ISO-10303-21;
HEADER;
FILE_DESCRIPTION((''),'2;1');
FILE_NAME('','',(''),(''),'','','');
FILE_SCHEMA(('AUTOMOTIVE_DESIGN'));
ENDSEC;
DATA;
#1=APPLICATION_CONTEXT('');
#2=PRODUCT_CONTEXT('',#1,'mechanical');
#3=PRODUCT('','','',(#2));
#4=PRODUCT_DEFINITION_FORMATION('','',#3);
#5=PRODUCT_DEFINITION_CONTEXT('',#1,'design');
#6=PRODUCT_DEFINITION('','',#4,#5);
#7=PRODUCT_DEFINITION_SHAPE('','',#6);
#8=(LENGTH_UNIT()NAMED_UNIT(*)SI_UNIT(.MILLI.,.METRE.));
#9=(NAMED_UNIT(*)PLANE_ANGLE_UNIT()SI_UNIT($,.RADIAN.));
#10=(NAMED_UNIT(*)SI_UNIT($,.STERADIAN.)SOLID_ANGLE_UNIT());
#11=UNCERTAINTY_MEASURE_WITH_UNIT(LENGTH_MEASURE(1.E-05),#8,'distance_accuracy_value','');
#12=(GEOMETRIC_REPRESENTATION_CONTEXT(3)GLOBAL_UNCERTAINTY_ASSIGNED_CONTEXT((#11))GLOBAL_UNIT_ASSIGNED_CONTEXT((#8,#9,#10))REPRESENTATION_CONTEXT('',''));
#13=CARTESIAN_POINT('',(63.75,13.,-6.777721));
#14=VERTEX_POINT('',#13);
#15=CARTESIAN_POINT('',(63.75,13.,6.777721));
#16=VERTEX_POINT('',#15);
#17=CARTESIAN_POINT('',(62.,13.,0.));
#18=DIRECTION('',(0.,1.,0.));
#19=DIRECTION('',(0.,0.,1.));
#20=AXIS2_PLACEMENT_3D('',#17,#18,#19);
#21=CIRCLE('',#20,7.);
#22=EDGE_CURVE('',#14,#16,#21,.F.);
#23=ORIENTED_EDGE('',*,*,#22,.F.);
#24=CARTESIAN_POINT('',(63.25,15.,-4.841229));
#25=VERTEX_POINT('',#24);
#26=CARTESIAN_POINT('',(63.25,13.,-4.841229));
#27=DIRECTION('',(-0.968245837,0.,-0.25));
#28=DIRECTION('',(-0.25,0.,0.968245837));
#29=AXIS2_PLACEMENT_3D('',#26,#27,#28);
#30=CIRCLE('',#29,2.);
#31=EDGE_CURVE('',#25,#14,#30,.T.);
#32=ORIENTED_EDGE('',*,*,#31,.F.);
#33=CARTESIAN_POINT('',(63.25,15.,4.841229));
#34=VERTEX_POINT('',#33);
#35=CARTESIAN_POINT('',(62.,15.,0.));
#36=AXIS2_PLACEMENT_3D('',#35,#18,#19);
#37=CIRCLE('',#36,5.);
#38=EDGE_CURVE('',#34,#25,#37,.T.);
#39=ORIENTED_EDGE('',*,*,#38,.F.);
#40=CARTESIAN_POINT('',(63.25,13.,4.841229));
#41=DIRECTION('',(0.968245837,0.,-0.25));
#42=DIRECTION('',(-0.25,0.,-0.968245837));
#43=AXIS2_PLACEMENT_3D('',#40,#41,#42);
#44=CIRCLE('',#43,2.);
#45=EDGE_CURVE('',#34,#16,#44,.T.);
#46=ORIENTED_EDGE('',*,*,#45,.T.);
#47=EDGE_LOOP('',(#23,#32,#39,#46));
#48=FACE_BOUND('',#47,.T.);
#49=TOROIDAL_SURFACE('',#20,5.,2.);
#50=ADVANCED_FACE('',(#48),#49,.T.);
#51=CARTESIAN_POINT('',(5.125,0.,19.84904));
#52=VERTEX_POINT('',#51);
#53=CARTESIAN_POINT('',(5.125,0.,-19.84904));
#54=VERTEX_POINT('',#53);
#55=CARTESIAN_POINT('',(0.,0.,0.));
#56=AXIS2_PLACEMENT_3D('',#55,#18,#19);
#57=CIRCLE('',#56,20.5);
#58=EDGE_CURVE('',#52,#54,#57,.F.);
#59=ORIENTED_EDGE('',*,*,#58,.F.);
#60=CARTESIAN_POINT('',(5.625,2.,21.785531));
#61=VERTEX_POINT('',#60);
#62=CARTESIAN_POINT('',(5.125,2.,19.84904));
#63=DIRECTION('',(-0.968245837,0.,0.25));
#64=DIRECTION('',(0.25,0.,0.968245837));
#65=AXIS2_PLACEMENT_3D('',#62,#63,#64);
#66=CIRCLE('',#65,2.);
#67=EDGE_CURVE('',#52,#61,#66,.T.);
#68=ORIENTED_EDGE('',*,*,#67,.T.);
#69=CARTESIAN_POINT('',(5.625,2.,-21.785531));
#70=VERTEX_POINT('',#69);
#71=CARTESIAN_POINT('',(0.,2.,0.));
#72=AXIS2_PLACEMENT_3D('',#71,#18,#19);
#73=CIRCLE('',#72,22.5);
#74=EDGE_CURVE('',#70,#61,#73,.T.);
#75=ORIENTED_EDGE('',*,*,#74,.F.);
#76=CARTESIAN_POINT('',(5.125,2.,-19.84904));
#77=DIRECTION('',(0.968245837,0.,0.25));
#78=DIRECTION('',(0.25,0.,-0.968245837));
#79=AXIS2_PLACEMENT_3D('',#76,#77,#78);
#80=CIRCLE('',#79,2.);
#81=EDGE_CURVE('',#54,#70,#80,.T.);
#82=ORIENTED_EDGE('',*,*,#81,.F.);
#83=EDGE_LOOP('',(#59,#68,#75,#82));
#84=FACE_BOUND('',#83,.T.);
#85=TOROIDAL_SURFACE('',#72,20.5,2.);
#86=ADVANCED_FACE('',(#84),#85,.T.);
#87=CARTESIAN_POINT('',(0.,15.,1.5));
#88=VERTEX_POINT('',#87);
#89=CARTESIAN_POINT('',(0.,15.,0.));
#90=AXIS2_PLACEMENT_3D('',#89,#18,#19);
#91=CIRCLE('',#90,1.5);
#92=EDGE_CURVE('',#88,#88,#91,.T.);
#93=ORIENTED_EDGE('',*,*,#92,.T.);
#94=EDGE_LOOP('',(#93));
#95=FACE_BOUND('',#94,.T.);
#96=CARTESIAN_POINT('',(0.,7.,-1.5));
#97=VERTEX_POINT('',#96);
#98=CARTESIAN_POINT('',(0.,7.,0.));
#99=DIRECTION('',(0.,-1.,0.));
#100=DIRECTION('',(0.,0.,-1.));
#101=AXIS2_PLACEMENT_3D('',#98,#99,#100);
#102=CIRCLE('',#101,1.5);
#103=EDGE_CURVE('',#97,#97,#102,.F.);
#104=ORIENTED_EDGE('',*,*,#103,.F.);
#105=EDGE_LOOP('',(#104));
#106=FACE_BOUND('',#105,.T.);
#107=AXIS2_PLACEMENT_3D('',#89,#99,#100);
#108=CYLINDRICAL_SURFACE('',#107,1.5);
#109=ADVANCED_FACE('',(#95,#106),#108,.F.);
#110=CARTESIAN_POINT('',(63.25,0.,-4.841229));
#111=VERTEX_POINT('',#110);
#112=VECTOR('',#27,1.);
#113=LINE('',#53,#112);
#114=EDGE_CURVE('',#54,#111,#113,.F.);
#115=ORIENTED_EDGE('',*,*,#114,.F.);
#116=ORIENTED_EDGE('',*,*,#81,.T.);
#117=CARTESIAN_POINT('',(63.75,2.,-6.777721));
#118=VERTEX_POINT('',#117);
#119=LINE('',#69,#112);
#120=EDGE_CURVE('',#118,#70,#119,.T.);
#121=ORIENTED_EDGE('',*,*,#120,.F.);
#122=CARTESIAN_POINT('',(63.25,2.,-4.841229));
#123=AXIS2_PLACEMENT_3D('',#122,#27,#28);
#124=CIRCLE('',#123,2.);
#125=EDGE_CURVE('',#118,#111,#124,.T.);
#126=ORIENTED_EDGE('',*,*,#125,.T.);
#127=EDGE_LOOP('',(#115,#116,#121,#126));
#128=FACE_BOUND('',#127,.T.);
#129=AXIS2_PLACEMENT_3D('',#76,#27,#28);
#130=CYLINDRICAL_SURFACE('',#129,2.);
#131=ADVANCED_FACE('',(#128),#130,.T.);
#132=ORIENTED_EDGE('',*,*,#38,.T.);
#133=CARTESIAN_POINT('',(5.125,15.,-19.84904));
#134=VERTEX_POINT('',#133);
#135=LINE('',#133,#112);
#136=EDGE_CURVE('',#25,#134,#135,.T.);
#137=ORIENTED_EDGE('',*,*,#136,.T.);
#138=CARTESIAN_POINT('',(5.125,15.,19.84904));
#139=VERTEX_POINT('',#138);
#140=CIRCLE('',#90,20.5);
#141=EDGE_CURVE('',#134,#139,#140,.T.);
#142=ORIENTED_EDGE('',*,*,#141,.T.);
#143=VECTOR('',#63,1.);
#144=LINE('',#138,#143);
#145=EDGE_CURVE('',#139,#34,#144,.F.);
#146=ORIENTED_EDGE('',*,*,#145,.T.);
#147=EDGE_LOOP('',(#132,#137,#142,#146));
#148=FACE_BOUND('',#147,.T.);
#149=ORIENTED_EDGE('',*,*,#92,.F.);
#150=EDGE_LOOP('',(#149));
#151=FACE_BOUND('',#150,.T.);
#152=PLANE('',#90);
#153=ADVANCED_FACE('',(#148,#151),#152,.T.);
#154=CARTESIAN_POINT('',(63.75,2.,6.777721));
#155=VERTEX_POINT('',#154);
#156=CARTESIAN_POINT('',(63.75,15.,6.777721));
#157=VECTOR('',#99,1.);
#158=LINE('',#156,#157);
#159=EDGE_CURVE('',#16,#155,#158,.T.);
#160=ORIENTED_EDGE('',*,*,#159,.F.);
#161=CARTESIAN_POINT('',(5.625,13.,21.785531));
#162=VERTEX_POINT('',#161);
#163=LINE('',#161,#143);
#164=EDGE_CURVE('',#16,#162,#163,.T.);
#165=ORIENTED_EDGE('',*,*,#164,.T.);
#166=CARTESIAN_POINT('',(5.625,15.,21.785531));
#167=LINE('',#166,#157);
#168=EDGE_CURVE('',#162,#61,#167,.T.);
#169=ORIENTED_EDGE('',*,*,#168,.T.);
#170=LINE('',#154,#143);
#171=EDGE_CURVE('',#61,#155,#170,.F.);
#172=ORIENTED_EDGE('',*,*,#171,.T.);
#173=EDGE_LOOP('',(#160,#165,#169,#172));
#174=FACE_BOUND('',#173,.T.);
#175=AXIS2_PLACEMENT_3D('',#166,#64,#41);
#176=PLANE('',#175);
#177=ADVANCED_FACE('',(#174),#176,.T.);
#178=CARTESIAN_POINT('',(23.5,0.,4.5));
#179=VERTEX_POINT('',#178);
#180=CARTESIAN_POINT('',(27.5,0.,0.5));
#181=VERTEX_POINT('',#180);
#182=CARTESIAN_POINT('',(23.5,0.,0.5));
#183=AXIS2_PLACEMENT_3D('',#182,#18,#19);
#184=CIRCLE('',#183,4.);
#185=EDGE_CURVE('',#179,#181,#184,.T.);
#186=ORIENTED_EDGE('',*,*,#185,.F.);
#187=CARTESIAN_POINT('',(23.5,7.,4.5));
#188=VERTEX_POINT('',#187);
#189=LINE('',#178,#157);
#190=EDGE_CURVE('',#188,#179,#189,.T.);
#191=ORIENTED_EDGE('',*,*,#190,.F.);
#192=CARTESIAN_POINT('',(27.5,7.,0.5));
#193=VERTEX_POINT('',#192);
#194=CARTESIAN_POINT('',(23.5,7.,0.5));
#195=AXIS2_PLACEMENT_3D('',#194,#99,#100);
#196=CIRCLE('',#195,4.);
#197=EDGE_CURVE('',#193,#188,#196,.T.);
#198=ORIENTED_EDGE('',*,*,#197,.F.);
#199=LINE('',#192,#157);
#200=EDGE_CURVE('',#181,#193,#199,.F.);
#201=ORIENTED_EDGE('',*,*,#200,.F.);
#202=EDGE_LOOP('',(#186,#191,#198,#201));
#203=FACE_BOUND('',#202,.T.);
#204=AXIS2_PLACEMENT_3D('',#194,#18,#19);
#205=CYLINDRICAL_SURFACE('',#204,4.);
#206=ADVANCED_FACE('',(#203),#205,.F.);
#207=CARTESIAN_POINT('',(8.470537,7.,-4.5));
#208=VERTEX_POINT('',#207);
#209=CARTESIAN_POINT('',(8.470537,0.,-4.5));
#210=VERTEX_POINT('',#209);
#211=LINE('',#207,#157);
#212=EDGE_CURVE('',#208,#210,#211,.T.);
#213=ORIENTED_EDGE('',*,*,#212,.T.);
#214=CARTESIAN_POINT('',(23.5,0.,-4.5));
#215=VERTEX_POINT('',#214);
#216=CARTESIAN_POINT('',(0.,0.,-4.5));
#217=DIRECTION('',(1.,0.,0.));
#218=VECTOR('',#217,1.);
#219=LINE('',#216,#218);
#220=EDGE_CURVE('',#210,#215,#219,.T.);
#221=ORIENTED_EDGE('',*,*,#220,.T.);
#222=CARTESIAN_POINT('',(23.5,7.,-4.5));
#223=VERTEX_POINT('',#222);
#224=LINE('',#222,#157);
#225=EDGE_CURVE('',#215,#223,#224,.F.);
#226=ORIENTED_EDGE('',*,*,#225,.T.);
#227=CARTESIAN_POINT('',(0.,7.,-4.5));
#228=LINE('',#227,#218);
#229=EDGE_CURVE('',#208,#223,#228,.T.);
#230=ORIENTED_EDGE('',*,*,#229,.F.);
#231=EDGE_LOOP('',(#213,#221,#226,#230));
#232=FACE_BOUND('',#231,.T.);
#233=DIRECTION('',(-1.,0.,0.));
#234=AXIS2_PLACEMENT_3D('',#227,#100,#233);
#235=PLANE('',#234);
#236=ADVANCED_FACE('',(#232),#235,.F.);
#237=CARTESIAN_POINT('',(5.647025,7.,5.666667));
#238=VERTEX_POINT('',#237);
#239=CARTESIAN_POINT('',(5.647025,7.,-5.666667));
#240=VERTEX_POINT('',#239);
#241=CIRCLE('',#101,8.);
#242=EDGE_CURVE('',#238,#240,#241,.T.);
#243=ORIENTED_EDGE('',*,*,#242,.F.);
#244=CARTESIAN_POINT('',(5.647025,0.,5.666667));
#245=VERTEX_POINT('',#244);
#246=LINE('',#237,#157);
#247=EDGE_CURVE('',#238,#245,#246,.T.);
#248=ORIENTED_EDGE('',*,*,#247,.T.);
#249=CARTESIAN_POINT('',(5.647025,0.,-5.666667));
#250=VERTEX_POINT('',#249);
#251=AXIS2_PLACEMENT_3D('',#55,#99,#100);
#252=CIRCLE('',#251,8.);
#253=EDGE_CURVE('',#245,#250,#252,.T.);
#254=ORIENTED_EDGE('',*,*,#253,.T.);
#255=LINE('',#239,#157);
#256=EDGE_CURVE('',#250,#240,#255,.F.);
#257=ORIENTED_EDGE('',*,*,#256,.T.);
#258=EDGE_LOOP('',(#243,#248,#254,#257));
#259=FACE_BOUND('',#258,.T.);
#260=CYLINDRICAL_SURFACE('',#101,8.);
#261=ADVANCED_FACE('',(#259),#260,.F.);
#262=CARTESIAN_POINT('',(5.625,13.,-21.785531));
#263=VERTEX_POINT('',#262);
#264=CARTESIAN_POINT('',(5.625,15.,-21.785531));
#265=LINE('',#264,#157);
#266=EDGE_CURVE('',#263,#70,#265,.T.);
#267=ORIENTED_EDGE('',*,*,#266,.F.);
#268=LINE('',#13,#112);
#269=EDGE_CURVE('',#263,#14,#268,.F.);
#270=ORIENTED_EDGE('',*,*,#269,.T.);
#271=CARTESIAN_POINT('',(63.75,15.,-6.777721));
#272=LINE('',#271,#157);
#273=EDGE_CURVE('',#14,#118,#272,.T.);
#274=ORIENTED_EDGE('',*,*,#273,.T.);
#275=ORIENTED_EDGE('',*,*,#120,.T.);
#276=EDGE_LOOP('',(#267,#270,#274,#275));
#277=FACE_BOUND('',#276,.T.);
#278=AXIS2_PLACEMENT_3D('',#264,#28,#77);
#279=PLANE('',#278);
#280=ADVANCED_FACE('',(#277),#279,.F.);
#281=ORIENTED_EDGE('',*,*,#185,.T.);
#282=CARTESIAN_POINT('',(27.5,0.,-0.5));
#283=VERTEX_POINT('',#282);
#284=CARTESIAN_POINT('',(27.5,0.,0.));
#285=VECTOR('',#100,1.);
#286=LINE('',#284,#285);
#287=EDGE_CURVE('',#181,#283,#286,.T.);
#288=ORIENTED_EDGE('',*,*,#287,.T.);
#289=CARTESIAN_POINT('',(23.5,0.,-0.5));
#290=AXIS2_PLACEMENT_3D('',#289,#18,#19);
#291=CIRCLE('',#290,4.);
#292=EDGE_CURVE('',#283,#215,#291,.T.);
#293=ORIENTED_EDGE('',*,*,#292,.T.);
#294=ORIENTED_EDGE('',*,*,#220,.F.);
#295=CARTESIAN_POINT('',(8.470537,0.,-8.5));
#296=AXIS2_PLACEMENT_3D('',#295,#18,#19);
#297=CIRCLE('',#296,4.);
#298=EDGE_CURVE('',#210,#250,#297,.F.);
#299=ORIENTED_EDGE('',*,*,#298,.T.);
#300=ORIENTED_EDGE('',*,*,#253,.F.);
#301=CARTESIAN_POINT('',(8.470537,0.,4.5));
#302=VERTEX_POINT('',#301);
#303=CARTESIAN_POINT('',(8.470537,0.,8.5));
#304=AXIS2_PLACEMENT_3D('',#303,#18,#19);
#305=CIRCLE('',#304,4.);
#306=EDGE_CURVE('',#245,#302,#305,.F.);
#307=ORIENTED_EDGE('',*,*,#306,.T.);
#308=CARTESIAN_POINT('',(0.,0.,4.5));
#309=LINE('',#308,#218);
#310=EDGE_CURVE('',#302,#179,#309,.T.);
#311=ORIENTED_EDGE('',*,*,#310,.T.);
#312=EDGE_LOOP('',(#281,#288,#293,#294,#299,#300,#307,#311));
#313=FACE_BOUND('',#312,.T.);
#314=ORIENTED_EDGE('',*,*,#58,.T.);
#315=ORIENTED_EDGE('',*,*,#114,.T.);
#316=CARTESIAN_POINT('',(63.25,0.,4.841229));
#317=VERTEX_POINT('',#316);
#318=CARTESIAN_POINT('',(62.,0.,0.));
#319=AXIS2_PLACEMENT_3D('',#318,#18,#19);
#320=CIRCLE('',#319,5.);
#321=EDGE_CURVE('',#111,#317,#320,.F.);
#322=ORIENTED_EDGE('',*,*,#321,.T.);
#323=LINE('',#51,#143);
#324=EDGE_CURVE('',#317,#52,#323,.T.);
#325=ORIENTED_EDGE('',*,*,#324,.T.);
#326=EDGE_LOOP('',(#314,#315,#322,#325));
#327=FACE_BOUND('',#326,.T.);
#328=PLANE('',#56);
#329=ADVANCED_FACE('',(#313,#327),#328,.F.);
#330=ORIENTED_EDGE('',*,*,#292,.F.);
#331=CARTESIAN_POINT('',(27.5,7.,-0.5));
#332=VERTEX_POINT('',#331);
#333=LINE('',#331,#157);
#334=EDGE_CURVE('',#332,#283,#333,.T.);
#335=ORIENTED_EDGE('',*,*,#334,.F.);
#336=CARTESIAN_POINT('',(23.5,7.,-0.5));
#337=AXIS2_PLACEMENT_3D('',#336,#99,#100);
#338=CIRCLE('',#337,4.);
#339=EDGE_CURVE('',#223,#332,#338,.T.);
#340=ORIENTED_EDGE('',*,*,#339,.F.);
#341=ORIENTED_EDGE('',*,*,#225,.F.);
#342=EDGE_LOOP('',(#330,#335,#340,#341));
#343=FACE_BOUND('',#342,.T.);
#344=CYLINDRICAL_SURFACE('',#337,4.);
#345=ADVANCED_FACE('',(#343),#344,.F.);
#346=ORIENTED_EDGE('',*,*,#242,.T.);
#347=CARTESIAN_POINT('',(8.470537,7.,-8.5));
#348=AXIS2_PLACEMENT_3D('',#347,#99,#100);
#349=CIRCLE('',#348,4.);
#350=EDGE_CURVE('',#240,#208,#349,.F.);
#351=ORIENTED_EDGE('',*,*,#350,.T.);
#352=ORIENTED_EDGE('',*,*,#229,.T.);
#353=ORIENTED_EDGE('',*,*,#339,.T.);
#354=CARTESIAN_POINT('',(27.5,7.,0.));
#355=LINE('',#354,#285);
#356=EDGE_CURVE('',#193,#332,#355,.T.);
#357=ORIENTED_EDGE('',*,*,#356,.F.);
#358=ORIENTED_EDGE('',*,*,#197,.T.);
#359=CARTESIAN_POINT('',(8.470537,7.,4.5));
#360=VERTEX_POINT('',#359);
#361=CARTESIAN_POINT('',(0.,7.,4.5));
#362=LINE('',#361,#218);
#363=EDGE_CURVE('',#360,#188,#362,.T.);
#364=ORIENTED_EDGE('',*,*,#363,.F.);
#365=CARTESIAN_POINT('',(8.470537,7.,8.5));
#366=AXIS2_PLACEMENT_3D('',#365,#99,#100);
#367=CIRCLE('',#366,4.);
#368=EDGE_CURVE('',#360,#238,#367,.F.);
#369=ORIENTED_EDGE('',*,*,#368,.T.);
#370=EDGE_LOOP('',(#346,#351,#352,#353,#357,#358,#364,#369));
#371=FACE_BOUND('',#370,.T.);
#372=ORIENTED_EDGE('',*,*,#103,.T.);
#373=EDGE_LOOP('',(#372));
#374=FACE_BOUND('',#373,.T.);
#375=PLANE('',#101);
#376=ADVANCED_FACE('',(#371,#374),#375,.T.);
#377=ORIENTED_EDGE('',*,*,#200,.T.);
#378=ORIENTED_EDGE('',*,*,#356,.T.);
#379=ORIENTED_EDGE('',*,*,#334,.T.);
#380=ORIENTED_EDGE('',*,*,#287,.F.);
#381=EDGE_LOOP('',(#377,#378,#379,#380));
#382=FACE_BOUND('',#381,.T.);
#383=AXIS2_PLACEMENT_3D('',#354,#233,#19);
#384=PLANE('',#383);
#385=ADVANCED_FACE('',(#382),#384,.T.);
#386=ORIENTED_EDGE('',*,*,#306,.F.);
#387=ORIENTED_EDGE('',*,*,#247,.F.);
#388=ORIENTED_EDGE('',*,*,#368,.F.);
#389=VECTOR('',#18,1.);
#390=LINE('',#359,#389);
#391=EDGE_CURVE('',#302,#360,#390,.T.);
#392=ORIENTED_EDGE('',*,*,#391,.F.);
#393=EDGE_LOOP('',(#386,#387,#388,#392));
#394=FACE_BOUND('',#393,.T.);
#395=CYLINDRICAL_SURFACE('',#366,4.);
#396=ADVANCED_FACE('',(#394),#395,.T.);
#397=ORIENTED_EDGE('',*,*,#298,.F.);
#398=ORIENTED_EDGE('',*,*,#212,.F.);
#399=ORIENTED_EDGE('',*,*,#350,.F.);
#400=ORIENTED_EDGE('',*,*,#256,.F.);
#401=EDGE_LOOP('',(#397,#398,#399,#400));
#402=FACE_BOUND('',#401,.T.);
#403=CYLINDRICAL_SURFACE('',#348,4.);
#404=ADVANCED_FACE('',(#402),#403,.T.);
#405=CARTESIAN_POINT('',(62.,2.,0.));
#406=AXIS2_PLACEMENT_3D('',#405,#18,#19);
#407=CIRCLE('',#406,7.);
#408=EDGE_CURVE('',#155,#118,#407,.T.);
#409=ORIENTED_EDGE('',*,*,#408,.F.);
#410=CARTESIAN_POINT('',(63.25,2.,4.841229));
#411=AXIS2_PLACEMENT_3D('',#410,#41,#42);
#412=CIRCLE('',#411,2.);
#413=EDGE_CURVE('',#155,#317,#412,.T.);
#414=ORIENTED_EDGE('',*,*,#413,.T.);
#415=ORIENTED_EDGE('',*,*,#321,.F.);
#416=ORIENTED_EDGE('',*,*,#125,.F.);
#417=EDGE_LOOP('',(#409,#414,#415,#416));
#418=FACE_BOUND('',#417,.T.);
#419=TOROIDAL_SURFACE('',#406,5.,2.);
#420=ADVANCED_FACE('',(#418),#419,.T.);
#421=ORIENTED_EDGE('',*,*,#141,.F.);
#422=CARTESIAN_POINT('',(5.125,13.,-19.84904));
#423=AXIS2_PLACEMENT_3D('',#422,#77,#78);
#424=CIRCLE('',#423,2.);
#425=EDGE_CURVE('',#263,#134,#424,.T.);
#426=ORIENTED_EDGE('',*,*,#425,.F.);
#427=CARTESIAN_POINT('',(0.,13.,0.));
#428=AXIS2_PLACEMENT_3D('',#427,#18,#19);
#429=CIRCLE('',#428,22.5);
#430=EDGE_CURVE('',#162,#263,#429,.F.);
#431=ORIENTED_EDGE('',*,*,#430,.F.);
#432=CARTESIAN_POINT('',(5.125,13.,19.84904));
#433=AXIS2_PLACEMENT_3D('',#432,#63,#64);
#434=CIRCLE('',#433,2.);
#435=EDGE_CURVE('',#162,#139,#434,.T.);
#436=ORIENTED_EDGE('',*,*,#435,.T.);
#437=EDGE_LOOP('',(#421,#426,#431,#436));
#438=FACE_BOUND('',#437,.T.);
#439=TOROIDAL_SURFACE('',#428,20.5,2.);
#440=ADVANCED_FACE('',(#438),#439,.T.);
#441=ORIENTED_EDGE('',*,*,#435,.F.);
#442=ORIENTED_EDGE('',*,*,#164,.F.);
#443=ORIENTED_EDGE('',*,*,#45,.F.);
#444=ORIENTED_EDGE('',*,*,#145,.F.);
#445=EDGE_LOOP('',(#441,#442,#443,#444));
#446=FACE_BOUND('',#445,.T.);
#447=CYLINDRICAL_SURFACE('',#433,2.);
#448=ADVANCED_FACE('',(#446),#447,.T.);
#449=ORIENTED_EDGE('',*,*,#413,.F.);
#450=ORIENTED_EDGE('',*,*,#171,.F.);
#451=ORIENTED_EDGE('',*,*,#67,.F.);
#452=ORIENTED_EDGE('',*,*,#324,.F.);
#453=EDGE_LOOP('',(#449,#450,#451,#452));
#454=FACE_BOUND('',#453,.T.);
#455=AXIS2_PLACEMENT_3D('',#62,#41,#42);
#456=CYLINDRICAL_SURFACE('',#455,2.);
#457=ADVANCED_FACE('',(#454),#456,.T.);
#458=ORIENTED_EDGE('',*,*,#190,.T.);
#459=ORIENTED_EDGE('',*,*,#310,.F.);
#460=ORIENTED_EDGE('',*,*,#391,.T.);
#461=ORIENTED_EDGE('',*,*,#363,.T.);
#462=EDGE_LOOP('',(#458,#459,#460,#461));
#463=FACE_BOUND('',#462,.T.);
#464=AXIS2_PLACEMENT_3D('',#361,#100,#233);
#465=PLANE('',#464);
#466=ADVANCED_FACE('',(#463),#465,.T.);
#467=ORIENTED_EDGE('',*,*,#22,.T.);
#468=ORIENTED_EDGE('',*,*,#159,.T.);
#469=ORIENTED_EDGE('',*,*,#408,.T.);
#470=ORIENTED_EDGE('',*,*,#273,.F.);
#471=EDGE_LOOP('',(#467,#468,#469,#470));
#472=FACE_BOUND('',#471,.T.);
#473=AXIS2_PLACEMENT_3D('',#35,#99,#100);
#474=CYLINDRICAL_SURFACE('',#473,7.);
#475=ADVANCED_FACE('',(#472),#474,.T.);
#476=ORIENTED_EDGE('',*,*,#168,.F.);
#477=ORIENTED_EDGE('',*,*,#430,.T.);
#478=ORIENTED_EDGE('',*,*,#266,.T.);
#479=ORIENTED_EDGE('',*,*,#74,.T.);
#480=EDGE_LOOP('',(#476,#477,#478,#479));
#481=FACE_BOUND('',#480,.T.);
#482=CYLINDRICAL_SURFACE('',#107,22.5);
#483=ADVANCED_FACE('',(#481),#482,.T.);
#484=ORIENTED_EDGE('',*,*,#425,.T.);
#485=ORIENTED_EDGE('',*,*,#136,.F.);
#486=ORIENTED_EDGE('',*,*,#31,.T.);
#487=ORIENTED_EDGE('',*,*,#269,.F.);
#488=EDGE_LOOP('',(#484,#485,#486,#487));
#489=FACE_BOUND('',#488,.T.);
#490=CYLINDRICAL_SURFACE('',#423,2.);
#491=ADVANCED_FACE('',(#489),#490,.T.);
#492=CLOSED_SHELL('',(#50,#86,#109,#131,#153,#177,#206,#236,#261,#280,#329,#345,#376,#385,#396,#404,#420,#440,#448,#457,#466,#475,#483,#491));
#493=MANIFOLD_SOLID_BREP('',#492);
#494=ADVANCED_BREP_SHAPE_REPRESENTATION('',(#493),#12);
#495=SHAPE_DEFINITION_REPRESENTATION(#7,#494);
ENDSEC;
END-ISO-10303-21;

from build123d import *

# Parameters (mm, degrees)
SKETCH1_R               = 1.5
CAM_DEPTH               = 15
CAM_FILLET_2MM_R        = 2
SERVO_ADAPTER_CUT_DEPTH = 7
FILLET_4_5MM_R          = 4


with BuildPart() as part:
    # Sketch1 → Cam (new body)
    with BuildSketch(Plane(origin=(0, 0, 0), x_dir=(1, 0, 0), z_dir=(0, 1, 0))):
        with BuildLine():
            ThreePointArc((5.625, 21.785531322), (-22.5, 0), (5.625, -21.785531322))
            Line((5.625, -21.785531322), (63.75, -6.777720856))
            ThreePointArc((63.75, -6.777720856), (69, 0), (63.75, 6.777720856))
            Line((63.75, 6.777720856), (5.625, 21.785531322))
        make_face()
        with Locations(Location((0, 0, 0), (0, 0, 270))):
            Circle(SKETCH1_R, mode=Mode.SUBTRACT)
    extrude(amount=CAM_DEPTH)

    # Cam_Fillet_2mm
    cam_fillet_2mm_edges = [part.edges().sort_by_distance(p)[0] for p in [
        (34.6875, 15, -14.281626089),
        (-22.5, 15, 0),
        (34.6875, 15, 14.281626089),
        (69, 15, 0),
        (34.6875, 0, 14.281626089),
        (-22.5, 0, 0),
        (34.6875, 0, -14.281626089),
        (69, 0, 0),
    ]]
    fillet(cam_fillet_2mm_edges, radius=CAM_FILLET_2MM_R)

    # Sketch2 → Servo_adapter_cut (cut)
    with BuildSketch(Plane.XZ):
        with BuildLine():
            Line((0, 1.5), (0, 4.5))
            Line((0, 4.5), (6.614378278, 4.5))
            ThreePointArc((6.614378278, 4.5), (-8, 0), (6.614378278, -4.5))
            Line((6.614378278, -4.5), (0, -4.5))
            Line((0, -4.5), (0, -1.5))
            ThreePointArc((0, -1.5), (-1.5, 0), (0, 1.5))
        make_face()
        with BuildLine():
            Line((6.614378278, 4.5), (0, 4.5))
            Line((0, 4.5), (0, 1.5))
            ThreePointArc((0, 1.5), (1.060660172, 1.060660172), (1.5, 0))
            ThreePointArc((1.5, 0), (1.060660172, -1.060660172), (0, -1.5))
            Line((0, -1.5), (0, -4.5))
            Line((0, -4.5), (6.614378278, -4.5))
            ThreePointArc((6.614378278, -4.5), (7.645751311, -2.354248689), (8, 0))
            ThreePointArc((8, 0), (7.645751311, 2.354248689), (6.614378278, 4.5))
        make_face()
        with BuildLine():
            Line((27.5, 4.5), (6.614378278, 4.5))
            ThreePointArc((6.614378278, 4.5), (7.645751311, 2.354248689), (8, 0))
            ThreePointArc((8, 0), (7.645751311, -2.354248689), (6.614378278, -4.5))
            Line((6.614378278, -4.5), (27.5, -4.5))
            Line((27.5, -4.5), (27.5, 4.5))
        make_face()
    extrude(amount=-SERVO_ADAPTER_CUT_DEPTH, mode=Mode.SUBTRACT)

    # Fillet_4.5mm
    fillet_4_5mm_edges = [part.edges().sort_by_distance(p)[0] for p in [
        (6.614378278, 3.5, -4.5),
        (6.614378278, 3.5, 4.5),
        (27.5, 3.5, 4.5),
        (27.5, 3.5, -4.5),
    ]]
    fillet(fillet_4_5mm_edges, radius=FILLET_4_5MM_R)


solid = part.part
